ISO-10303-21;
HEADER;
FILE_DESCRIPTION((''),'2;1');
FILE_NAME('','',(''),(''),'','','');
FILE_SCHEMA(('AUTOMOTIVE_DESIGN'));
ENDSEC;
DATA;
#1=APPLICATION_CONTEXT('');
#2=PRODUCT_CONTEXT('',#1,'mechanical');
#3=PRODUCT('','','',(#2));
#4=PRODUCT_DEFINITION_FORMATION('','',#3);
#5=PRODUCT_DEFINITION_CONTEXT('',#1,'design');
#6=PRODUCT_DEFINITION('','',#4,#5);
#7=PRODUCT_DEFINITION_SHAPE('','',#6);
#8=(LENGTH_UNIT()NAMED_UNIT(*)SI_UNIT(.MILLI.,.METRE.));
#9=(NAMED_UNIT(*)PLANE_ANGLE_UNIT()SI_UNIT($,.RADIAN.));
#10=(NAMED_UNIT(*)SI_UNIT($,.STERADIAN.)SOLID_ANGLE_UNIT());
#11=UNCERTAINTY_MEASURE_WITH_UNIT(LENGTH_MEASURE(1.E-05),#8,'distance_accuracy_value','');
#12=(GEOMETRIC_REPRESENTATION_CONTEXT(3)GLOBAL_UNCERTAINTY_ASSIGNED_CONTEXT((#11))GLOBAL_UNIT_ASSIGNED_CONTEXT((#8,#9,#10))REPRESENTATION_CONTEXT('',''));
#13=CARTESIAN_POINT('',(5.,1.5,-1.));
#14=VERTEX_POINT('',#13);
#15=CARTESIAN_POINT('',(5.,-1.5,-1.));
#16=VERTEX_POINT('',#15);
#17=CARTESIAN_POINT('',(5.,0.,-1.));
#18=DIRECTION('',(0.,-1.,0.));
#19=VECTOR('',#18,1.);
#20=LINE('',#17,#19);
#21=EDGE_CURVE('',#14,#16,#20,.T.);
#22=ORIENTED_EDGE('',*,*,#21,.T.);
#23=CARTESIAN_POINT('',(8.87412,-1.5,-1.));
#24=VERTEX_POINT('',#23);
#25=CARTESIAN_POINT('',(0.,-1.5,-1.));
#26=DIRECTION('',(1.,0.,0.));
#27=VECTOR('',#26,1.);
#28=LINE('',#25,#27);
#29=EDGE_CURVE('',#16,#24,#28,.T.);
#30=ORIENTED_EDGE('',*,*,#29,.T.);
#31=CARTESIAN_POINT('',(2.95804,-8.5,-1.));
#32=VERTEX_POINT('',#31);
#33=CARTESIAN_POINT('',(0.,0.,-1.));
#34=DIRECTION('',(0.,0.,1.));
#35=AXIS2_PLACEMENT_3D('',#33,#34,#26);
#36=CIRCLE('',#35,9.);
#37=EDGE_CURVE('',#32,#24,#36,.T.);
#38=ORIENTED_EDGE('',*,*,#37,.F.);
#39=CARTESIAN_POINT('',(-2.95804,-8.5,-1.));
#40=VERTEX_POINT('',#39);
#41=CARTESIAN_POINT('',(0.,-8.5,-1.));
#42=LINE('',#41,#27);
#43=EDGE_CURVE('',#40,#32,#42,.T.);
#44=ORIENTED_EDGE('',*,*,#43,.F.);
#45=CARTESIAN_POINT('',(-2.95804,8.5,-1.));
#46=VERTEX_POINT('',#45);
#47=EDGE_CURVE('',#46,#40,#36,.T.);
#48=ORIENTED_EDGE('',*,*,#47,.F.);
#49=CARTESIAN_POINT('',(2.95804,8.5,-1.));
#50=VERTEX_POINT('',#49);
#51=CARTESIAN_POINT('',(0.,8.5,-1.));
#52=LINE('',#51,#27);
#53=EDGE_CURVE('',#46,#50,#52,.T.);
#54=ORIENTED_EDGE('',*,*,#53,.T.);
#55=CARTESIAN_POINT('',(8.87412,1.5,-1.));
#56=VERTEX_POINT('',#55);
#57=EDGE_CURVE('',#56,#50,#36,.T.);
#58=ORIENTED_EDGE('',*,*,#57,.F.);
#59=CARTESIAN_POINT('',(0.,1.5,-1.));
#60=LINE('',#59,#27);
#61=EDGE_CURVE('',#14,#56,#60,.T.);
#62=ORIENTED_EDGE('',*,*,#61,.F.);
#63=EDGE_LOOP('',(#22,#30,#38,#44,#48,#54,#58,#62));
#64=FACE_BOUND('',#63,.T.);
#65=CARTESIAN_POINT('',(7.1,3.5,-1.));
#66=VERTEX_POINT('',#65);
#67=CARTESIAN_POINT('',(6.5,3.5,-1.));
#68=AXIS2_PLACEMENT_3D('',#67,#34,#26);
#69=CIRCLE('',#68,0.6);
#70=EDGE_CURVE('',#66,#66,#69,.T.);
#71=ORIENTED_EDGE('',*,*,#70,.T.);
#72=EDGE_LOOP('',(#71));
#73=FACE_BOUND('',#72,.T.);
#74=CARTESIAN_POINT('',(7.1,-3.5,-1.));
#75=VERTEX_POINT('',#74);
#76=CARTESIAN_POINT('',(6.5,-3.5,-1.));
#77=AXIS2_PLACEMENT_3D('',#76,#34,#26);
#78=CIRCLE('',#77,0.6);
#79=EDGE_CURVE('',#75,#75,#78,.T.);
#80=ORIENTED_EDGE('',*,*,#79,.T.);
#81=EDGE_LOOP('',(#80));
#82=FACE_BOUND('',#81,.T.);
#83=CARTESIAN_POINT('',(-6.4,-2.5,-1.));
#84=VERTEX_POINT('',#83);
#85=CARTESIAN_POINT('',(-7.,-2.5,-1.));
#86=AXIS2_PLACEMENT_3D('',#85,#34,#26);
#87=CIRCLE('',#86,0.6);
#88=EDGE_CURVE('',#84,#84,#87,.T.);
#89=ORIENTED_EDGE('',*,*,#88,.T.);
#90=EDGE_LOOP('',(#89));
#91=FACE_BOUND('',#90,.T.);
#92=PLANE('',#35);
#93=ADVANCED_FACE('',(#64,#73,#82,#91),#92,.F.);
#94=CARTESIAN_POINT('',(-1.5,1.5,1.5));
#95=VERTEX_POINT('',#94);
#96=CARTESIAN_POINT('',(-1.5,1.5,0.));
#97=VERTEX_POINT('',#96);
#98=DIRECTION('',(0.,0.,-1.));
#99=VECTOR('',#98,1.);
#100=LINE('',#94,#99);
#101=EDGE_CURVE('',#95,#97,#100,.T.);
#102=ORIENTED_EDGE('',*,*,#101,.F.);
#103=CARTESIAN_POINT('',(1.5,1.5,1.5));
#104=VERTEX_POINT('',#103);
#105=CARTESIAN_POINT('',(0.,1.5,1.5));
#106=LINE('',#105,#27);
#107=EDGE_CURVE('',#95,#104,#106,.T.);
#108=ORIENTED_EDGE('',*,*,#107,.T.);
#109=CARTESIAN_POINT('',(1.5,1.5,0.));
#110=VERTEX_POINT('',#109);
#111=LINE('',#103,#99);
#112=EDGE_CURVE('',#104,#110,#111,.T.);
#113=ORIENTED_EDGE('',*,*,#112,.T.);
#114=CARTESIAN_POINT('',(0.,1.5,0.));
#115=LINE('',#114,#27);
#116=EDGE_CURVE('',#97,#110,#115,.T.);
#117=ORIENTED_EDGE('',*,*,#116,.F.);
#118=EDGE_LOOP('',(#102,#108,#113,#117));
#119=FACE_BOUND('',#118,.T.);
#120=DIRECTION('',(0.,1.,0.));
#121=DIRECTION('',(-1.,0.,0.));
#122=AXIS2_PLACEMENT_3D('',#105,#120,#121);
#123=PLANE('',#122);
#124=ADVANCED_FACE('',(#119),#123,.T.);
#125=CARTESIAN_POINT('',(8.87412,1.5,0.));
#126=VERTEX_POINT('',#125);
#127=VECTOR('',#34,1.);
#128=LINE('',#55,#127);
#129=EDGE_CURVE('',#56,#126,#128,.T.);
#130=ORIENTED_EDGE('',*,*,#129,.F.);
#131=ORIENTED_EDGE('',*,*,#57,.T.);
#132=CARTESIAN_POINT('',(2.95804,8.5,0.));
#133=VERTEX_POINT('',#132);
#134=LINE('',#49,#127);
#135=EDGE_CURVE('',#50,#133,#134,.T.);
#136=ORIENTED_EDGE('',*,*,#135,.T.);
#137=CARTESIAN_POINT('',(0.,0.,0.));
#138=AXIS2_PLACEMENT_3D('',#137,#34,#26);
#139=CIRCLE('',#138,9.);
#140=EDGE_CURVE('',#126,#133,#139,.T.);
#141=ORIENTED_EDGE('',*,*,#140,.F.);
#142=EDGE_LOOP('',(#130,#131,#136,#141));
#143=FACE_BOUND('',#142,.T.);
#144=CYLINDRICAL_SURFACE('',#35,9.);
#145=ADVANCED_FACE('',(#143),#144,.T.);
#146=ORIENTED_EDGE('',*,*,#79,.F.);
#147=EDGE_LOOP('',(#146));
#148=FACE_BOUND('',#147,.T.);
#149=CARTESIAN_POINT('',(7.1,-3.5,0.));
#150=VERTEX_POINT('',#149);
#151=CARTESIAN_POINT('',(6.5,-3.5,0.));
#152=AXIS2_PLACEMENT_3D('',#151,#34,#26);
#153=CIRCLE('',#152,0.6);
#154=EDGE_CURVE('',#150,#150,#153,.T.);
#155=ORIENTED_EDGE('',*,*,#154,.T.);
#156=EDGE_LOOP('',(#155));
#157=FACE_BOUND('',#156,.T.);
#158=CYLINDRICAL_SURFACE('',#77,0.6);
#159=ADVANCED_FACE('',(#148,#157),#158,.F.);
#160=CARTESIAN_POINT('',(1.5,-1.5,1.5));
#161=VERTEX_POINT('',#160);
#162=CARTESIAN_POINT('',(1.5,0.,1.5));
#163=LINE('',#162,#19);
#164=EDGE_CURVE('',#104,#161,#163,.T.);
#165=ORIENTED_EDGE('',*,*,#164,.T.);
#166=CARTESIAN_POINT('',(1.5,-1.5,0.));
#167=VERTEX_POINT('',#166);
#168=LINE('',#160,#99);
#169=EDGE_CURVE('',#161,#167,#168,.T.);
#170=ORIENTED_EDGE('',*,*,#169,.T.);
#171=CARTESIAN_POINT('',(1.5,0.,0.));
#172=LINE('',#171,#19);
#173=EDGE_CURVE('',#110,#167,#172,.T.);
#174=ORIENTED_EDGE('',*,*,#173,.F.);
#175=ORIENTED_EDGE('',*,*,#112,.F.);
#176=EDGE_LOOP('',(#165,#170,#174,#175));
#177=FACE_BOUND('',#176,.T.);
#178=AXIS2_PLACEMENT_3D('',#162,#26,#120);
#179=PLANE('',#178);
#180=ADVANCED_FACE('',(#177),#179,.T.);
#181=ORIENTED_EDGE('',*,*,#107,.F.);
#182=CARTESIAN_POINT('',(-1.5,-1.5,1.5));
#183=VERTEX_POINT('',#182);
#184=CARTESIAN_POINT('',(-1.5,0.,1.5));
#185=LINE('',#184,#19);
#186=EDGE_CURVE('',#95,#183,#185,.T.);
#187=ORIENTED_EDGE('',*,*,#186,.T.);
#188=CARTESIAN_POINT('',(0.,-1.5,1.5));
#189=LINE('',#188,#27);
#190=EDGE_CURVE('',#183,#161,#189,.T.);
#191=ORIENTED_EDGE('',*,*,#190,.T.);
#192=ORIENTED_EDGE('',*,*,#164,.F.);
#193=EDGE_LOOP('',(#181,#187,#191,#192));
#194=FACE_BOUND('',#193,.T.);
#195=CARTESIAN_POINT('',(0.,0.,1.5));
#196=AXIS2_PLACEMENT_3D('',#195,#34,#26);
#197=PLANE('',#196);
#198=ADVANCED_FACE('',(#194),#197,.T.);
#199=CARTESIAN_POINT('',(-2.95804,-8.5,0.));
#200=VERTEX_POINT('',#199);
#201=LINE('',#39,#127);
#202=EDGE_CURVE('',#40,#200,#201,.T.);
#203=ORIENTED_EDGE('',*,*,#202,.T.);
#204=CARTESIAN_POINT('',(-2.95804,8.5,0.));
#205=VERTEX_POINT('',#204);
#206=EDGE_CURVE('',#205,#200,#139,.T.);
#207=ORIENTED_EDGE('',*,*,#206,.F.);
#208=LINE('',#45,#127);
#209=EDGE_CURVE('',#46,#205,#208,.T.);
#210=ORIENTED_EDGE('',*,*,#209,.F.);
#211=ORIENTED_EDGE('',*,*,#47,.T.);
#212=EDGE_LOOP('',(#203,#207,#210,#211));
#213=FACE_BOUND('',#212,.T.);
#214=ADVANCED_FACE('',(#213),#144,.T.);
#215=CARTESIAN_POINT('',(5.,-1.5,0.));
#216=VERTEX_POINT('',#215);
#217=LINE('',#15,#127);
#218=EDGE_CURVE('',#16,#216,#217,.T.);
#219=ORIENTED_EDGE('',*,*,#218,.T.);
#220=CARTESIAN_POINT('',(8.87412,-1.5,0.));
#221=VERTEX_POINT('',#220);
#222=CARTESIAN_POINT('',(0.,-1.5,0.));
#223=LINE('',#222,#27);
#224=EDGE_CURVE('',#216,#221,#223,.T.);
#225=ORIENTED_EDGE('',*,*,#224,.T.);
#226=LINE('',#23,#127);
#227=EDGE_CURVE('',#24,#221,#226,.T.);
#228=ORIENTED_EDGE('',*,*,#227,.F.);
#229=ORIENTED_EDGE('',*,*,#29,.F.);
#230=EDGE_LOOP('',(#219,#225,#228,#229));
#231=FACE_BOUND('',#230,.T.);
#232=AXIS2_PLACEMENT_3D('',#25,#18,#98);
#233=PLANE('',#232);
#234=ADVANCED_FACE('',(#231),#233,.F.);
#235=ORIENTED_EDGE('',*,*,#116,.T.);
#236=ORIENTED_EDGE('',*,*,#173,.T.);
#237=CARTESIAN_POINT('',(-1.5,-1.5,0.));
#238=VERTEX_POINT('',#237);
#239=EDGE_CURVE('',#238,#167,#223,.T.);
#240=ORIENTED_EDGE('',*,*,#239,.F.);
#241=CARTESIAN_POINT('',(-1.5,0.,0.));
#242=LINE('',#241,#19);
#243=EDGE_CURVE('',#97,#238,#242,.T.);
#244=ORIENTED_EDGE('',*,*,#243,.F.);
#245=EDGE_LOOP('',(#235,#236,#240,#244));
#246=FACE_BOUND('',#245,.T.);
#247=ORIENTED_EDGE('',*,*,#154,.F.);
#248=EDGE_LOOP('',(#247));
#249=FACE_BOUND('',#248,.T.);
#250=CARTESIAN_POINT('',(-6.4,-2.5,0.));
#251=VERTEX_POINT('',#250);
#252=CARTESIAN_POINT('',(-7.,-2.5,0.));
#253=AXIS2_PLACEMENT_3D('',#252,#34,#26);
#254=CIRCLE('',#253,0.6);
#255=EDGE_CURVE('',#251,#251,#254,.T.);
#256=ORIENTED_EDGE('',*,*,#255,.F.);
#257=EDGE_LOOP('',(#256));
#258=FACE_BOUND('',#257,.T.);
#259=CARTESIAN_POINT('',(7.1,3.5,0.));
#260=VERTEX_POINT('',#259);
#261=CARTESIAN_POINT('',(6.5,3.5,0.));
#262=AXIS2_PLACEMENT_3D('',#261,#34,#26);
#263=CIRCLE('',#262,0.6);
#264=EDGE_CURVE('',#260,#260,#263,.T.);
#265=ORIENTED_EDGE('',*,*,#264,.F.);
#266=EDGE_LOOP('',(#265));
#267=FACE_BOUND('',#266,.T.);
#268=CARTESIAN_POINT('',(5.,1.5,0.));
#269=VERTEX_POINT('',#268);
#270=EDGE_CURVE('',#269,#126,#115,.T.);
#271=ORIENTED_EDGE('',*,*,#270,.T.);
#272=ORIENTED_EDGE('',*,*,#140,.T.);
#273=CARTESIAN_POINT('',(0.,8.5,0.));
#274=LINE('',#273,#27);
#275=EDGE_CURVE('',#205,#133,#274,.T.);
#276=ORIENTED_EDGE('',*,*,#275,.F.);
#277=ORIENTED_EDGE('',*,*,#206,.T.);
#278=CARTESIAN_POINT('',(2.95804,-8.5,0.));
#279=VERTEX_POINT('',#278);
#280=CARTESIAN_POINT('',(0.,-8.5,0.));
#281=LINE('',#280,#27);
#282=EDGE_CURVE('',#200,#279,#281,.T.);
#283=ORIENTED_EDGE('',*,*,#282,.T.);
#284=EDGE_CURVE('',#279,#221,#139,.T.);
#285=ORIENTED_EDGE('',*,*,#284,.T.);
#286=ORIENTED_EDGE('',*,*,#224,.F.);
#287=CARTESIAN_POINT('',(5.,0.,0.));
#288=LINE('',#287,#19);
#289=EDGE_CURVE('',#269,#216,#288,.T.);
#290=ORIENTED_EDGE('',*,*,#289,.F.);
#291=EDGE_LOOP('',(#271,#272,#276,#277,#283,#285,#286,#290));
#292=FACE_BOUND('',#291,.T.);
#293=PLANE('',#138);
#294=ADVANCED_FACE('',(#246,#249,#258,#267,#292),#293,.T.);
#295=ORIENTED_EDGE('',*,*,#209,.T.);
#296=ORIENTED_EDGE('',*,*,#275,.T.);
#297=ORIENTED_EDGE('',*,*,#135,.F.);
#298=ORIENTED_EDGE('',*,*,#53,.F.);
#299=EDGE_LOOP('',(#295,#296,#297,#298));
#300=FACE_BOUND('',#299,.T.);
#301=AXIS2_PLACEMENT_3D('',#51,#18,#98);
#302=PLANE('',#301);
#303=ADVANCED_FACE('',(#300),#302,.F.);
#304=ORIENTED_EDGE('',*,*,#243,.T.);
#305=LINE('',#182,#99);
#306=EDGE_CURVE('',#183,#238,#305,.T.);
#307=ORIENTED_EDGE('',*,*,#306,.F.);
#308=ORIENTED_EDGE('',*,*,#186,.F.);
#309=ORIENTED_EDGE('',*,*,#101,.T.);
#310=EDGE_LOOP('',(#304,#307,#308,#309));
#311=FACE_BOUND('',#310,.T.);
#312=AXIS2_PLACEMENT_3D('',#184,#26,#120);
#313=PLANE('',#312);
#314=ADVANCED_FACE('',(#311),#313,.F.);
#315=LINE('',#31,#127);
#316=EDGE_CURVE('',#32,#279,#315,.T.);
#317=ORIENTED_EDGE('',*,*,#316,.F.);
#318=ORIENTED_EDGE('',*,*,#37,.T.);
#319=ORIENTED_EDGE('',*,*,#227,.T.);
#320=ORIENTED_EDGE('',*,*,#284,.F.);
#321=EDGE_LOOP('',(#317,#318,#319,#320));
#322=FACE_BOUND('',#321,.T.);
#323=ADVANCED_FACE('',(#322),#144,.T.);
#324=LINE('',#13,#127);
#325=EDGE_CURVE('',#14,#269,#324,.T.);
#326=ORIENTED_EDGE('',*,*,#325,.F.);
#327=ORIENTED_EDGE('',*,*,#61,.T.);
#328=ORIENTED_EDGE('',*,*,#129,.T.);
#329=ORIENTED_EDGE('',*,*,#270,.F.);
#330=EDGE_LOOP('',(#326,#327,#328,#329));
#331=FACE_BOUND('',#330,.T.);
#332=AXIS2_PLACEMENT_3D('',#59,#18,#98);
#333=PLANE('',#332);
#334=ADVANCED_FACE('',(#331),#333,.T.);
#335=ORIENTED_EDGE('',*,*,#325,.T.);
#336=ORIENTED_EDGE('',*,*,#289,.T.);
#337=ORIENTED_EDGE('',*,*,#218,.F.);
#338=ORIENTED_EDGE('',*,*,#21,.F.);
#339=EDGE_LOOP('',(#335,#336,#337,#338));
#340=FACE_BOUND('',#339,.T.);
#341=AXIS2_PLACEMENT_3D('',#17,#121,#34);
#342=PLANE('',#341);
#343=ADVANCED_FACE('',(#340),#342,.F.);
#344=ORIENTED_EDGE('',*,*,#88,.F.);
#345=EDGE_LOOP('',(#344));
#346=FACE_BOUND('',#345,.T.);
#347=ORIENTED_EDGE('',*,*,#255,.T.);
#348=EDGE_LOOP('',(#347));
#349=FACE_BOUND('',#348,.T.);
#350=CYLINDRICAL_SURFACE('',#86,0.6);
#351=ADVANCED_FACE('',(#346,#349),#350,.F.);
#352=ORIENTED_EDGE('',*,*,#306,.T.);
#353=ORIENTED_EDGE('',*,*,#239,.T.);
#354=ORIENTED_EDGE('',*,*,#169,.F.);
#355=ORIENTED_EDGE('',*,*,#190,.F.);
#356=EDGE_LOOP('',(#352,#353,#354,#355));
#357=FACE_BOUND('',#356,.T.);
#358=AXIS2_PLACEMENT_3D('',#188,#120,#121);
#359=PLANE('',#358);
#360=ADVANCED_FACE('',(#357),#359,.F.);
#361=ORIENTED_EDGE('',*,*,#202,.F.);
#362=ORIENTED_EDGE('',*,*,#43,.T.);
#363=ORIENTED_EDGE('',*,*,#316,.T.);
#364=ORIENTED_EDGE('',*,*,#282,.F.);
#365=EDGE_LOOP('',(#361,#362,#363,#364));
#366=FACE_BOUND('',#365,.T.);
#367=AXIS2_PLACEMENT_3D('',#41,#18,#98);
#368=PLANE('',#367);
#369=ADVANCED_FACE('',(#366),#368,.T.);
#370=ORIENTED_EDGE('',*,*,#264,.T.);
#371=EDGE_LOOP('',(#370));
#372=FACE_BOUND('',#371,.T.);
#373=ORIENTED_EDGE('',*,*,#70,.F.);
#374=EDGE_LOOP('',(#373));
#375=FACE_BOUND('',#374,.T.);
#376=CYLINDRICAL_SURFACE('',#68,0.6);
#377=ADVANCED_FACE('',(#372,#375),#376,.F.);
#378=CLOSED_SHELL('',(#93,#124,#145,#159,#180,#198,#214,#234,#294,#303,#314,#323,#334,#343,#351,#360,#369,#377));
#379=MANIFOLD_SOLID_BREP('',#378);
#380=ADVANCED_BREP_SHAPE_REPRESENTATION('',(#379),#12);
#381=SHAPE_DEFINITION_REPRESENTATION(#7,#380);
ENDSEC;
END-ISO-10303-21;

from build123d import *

# Parameters (mm, degrees)
SKETCH_1_R      = 0.6
EXTRUDE_1_DEPTH = 1
SKETCH_1_3_W    = 3
SKETCH_1_3_H    = 3
EXTRUDE_2_DEPTH = 1.5


with BuildPart() as part:
    # Sketch 1 → Extrude 1 (new body)
    with BuildSketch(Plane.XY):
        with BuildLine():
            Line((5, -1.5), (5, 1.5))
            Line((5, 1.5), (8.874119675, 1.5))
            ThreePointArc((8.874119675, 1.5), (6.873863542, 5.809475019), (2.958039892, 8.5))
            Line((2.958039892, 8.5), (-2.958039892, 8.5))
            ThreePointArc((-2.958039892, 8.5), (-9, 0), (-2.958039892, -8.5))
            Line((-2.958039892, -8.5), (2.958039892, -8.5))
            ThreePointArc((2.958039892, -8.5), (6.873863542, -5.809475019), (8.874119675, -1.5))
            Line((8.874119675, -1.5), (5, -1.5))
        make_face()
        with Locations((-7, -2.5)):
            Circle(SKETCH_1_R, mode=Mode.SUBTRACT)
        with Locations((6.5, -3.5)):
            Circle(SKETCH_1_R, mode=Mode.SUBTRACT)
        with Locations((6.5, 3.5)):
            Circle(SKETCH_1_R, mode=Mode.SUBTRACT)
    extrude(amount=-EXTRUDE_1_DEPTH)

    # Sketch 1_3 → Extrude 2 (add)
    with BuildSketch(Plane.XY):
        Rectangle(SKETCH_1_3_W, SKETCH_1_3_H)
    extrude(amount=EXTRUDE_2_DEPTH)


solid = part.part
